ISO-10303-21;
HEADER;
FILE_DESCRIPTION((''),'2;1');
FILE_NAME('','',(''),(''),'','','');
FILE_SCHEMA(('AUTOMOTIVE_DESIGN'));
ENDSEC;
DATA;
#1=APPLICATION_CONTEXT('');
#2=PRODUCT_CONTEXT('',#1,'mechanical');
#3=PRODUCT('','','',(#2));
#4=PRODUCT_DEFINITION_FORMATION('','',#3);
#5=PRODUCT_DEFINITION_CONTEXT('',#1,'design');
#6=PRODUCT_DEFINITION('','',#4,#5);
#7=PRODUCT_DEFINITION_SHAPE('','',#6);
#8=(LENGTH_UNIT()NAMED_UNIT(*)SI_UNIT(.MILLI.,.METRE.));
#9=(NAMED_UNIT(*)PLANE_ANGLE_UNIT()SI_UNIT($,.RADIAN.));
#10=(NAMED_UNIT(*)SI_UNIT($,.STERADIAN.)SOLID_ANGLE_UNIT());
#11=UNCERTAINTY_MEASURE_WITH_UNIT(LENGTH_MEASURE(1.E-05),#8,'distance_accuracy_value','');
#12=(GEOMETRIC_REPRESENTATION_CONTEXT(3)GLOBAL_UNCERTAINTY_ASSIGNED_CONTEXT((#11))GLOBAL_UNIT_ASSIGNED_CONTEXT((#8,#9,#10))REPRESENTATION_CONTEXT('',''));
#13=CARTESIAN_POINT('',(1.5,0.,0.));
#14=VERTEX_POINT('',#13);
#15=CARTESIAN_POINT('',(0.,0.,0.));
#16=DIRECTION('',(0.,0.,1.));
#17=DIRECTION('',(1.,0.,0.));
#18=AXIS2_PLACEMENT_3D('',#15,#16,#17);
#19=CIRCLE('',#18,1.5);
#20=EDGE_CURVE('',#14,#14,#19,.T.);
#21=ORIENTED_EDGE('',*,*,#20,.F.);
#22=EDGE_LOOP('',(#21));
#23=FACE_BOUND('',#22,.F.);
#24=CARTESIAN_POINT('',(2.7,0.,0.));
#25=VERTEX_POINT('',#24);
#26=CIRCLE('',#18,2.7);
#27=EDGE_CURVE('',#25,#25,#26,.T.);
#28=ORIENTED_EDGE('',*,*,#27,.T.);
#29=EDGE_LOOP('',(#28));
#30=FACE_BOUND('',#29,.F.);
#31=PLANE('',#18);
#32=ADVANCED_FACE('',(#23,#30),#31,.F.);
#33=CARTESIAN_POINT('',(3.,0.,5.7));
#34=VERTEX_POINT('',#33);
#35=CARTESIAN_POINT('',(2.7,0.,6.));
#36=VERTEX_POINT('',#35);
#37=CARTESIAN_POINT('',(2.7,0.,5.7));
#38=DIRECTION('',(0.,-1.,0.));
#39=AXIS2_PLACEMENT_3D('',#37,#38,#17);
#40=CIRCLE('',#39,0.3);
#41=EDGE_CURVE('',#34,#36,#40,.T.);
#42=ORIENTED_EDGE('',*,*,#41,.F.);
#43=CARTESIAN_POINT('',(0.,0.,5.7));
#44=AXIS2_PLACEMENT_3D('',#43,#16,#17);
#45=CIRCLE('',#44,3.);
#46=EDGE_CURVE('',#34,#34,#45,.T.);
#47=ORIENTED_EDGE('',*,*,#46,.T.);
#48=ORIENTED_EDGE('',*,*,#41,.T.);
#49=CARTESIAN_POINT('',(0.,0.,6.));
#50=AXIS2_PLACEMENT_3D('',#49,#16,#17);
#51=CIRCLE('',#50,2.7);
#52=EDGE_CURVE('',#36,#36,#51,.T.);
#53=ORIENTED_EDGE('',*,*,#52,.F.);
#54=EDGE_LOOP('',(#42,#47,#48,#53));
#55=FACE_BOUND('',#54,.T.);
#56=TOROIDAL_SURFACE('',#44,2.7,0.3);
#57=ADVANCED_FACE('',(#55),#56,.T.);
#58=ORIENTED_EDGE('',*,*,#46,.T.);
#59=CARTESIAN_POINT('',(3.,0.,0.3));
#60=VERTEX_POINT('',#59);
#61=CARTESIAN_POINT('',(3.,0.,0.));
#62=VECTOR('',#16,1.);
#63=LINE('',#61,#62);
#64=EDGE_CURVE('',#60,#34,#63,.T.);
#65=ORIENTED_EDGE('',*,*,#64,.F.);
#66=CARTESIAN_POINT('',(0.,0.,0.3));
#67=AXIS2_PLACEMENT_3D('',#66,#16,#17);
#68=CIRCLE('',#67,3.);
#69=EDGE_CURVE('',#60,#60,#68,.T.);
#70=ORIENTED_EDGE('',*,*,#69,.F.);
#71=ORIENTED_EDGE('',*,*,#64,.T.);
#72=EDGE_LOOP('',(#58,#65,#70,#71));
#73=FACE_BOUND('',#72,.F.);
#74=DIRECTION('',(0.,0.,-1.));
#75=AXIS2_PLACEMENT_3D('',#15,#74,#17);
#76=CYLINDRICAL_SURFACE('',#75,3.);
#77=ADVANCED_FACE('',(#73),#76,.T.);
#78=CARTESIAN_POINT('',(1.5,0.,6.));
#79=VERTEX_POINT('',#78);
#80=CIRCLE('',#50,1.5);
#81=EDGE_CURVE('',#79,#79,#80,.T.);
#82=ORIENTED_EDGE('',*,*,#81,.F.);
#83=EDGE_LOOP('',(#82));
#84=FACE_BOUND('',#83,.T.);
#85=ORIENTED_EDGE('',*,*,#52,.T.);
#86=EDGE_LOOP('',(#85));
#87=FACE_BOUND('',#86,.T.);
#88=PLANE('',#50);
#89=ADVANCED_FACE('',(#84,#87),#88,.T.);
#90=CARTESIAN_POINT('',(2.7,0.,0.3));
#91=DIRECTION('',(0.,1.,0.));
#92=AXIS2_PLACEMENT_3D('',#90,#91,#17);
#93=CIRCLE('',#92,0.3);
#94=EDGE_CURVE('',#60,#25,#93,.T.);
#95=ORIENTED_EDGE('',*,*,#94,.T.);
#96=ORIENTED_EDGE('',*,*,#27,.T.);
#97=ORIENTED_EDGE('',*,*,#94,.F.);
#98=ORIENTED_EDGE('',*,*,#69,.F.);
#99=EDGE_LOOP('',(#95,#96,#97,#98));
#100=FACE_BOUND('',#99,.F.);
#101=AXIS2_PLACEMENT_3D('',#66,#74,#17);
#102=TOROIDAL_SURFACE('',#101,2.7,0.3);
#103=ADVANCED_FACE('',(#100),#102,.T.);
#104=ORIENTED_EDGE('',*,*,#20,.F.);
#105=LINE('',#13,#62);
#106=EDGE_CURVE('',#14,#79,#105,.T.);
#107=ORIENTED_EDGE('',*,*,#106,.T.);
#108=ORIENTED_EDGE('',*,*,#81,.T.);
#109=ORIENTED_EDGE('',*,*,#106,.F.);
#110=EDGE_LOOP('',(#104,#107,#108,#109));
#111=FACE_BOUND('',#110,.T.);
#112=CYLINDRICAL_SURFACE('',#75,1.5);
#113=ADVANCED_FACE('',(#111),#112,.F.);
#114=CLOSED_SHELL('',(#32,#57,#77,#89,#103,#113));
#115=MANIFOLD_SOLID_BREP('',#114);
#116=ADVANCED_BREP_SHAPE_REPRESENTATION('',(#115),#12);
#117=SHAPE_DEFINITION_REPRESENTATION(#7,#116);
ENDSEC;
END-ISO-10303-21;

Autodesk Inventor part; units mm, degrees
ref_plane "YZ Plane" through (0, 0, 0) normal (1, 0, 0) x (0, 1, 0)
ref_plane "XZ Plane" through (0, 0, 0) normal (0, 1, 0) x (-1, 0, 0)
ref_plane "XY Plane" through (0, 0, 0) normal (0, 0, 1) x (1, 0, 0)
sketch "スケッチ1" plane through (0, 0, 0) normal (0, 0, 1) x (1, 0, 0)
  circle A0 centre (0, 0) radius 1.5
  circle A1 centre (0, 0) radius 3
  dimension "d0" = 3
  dimension "d1" = 6
extrude "押し出し1" add sketch "スケッチ1" along normal blind 6
fillet "フィレット1" radius 0.3 2 edges at (-3, 0, 6) (-3, 0, 0)
thread "ねじ1" size "M3x0.5" class "6H" standard "ANSI Metric M Profile" length 100
properties part number "スペーサーM3L6アルミ" material "アルミニウム 2014-T4"
